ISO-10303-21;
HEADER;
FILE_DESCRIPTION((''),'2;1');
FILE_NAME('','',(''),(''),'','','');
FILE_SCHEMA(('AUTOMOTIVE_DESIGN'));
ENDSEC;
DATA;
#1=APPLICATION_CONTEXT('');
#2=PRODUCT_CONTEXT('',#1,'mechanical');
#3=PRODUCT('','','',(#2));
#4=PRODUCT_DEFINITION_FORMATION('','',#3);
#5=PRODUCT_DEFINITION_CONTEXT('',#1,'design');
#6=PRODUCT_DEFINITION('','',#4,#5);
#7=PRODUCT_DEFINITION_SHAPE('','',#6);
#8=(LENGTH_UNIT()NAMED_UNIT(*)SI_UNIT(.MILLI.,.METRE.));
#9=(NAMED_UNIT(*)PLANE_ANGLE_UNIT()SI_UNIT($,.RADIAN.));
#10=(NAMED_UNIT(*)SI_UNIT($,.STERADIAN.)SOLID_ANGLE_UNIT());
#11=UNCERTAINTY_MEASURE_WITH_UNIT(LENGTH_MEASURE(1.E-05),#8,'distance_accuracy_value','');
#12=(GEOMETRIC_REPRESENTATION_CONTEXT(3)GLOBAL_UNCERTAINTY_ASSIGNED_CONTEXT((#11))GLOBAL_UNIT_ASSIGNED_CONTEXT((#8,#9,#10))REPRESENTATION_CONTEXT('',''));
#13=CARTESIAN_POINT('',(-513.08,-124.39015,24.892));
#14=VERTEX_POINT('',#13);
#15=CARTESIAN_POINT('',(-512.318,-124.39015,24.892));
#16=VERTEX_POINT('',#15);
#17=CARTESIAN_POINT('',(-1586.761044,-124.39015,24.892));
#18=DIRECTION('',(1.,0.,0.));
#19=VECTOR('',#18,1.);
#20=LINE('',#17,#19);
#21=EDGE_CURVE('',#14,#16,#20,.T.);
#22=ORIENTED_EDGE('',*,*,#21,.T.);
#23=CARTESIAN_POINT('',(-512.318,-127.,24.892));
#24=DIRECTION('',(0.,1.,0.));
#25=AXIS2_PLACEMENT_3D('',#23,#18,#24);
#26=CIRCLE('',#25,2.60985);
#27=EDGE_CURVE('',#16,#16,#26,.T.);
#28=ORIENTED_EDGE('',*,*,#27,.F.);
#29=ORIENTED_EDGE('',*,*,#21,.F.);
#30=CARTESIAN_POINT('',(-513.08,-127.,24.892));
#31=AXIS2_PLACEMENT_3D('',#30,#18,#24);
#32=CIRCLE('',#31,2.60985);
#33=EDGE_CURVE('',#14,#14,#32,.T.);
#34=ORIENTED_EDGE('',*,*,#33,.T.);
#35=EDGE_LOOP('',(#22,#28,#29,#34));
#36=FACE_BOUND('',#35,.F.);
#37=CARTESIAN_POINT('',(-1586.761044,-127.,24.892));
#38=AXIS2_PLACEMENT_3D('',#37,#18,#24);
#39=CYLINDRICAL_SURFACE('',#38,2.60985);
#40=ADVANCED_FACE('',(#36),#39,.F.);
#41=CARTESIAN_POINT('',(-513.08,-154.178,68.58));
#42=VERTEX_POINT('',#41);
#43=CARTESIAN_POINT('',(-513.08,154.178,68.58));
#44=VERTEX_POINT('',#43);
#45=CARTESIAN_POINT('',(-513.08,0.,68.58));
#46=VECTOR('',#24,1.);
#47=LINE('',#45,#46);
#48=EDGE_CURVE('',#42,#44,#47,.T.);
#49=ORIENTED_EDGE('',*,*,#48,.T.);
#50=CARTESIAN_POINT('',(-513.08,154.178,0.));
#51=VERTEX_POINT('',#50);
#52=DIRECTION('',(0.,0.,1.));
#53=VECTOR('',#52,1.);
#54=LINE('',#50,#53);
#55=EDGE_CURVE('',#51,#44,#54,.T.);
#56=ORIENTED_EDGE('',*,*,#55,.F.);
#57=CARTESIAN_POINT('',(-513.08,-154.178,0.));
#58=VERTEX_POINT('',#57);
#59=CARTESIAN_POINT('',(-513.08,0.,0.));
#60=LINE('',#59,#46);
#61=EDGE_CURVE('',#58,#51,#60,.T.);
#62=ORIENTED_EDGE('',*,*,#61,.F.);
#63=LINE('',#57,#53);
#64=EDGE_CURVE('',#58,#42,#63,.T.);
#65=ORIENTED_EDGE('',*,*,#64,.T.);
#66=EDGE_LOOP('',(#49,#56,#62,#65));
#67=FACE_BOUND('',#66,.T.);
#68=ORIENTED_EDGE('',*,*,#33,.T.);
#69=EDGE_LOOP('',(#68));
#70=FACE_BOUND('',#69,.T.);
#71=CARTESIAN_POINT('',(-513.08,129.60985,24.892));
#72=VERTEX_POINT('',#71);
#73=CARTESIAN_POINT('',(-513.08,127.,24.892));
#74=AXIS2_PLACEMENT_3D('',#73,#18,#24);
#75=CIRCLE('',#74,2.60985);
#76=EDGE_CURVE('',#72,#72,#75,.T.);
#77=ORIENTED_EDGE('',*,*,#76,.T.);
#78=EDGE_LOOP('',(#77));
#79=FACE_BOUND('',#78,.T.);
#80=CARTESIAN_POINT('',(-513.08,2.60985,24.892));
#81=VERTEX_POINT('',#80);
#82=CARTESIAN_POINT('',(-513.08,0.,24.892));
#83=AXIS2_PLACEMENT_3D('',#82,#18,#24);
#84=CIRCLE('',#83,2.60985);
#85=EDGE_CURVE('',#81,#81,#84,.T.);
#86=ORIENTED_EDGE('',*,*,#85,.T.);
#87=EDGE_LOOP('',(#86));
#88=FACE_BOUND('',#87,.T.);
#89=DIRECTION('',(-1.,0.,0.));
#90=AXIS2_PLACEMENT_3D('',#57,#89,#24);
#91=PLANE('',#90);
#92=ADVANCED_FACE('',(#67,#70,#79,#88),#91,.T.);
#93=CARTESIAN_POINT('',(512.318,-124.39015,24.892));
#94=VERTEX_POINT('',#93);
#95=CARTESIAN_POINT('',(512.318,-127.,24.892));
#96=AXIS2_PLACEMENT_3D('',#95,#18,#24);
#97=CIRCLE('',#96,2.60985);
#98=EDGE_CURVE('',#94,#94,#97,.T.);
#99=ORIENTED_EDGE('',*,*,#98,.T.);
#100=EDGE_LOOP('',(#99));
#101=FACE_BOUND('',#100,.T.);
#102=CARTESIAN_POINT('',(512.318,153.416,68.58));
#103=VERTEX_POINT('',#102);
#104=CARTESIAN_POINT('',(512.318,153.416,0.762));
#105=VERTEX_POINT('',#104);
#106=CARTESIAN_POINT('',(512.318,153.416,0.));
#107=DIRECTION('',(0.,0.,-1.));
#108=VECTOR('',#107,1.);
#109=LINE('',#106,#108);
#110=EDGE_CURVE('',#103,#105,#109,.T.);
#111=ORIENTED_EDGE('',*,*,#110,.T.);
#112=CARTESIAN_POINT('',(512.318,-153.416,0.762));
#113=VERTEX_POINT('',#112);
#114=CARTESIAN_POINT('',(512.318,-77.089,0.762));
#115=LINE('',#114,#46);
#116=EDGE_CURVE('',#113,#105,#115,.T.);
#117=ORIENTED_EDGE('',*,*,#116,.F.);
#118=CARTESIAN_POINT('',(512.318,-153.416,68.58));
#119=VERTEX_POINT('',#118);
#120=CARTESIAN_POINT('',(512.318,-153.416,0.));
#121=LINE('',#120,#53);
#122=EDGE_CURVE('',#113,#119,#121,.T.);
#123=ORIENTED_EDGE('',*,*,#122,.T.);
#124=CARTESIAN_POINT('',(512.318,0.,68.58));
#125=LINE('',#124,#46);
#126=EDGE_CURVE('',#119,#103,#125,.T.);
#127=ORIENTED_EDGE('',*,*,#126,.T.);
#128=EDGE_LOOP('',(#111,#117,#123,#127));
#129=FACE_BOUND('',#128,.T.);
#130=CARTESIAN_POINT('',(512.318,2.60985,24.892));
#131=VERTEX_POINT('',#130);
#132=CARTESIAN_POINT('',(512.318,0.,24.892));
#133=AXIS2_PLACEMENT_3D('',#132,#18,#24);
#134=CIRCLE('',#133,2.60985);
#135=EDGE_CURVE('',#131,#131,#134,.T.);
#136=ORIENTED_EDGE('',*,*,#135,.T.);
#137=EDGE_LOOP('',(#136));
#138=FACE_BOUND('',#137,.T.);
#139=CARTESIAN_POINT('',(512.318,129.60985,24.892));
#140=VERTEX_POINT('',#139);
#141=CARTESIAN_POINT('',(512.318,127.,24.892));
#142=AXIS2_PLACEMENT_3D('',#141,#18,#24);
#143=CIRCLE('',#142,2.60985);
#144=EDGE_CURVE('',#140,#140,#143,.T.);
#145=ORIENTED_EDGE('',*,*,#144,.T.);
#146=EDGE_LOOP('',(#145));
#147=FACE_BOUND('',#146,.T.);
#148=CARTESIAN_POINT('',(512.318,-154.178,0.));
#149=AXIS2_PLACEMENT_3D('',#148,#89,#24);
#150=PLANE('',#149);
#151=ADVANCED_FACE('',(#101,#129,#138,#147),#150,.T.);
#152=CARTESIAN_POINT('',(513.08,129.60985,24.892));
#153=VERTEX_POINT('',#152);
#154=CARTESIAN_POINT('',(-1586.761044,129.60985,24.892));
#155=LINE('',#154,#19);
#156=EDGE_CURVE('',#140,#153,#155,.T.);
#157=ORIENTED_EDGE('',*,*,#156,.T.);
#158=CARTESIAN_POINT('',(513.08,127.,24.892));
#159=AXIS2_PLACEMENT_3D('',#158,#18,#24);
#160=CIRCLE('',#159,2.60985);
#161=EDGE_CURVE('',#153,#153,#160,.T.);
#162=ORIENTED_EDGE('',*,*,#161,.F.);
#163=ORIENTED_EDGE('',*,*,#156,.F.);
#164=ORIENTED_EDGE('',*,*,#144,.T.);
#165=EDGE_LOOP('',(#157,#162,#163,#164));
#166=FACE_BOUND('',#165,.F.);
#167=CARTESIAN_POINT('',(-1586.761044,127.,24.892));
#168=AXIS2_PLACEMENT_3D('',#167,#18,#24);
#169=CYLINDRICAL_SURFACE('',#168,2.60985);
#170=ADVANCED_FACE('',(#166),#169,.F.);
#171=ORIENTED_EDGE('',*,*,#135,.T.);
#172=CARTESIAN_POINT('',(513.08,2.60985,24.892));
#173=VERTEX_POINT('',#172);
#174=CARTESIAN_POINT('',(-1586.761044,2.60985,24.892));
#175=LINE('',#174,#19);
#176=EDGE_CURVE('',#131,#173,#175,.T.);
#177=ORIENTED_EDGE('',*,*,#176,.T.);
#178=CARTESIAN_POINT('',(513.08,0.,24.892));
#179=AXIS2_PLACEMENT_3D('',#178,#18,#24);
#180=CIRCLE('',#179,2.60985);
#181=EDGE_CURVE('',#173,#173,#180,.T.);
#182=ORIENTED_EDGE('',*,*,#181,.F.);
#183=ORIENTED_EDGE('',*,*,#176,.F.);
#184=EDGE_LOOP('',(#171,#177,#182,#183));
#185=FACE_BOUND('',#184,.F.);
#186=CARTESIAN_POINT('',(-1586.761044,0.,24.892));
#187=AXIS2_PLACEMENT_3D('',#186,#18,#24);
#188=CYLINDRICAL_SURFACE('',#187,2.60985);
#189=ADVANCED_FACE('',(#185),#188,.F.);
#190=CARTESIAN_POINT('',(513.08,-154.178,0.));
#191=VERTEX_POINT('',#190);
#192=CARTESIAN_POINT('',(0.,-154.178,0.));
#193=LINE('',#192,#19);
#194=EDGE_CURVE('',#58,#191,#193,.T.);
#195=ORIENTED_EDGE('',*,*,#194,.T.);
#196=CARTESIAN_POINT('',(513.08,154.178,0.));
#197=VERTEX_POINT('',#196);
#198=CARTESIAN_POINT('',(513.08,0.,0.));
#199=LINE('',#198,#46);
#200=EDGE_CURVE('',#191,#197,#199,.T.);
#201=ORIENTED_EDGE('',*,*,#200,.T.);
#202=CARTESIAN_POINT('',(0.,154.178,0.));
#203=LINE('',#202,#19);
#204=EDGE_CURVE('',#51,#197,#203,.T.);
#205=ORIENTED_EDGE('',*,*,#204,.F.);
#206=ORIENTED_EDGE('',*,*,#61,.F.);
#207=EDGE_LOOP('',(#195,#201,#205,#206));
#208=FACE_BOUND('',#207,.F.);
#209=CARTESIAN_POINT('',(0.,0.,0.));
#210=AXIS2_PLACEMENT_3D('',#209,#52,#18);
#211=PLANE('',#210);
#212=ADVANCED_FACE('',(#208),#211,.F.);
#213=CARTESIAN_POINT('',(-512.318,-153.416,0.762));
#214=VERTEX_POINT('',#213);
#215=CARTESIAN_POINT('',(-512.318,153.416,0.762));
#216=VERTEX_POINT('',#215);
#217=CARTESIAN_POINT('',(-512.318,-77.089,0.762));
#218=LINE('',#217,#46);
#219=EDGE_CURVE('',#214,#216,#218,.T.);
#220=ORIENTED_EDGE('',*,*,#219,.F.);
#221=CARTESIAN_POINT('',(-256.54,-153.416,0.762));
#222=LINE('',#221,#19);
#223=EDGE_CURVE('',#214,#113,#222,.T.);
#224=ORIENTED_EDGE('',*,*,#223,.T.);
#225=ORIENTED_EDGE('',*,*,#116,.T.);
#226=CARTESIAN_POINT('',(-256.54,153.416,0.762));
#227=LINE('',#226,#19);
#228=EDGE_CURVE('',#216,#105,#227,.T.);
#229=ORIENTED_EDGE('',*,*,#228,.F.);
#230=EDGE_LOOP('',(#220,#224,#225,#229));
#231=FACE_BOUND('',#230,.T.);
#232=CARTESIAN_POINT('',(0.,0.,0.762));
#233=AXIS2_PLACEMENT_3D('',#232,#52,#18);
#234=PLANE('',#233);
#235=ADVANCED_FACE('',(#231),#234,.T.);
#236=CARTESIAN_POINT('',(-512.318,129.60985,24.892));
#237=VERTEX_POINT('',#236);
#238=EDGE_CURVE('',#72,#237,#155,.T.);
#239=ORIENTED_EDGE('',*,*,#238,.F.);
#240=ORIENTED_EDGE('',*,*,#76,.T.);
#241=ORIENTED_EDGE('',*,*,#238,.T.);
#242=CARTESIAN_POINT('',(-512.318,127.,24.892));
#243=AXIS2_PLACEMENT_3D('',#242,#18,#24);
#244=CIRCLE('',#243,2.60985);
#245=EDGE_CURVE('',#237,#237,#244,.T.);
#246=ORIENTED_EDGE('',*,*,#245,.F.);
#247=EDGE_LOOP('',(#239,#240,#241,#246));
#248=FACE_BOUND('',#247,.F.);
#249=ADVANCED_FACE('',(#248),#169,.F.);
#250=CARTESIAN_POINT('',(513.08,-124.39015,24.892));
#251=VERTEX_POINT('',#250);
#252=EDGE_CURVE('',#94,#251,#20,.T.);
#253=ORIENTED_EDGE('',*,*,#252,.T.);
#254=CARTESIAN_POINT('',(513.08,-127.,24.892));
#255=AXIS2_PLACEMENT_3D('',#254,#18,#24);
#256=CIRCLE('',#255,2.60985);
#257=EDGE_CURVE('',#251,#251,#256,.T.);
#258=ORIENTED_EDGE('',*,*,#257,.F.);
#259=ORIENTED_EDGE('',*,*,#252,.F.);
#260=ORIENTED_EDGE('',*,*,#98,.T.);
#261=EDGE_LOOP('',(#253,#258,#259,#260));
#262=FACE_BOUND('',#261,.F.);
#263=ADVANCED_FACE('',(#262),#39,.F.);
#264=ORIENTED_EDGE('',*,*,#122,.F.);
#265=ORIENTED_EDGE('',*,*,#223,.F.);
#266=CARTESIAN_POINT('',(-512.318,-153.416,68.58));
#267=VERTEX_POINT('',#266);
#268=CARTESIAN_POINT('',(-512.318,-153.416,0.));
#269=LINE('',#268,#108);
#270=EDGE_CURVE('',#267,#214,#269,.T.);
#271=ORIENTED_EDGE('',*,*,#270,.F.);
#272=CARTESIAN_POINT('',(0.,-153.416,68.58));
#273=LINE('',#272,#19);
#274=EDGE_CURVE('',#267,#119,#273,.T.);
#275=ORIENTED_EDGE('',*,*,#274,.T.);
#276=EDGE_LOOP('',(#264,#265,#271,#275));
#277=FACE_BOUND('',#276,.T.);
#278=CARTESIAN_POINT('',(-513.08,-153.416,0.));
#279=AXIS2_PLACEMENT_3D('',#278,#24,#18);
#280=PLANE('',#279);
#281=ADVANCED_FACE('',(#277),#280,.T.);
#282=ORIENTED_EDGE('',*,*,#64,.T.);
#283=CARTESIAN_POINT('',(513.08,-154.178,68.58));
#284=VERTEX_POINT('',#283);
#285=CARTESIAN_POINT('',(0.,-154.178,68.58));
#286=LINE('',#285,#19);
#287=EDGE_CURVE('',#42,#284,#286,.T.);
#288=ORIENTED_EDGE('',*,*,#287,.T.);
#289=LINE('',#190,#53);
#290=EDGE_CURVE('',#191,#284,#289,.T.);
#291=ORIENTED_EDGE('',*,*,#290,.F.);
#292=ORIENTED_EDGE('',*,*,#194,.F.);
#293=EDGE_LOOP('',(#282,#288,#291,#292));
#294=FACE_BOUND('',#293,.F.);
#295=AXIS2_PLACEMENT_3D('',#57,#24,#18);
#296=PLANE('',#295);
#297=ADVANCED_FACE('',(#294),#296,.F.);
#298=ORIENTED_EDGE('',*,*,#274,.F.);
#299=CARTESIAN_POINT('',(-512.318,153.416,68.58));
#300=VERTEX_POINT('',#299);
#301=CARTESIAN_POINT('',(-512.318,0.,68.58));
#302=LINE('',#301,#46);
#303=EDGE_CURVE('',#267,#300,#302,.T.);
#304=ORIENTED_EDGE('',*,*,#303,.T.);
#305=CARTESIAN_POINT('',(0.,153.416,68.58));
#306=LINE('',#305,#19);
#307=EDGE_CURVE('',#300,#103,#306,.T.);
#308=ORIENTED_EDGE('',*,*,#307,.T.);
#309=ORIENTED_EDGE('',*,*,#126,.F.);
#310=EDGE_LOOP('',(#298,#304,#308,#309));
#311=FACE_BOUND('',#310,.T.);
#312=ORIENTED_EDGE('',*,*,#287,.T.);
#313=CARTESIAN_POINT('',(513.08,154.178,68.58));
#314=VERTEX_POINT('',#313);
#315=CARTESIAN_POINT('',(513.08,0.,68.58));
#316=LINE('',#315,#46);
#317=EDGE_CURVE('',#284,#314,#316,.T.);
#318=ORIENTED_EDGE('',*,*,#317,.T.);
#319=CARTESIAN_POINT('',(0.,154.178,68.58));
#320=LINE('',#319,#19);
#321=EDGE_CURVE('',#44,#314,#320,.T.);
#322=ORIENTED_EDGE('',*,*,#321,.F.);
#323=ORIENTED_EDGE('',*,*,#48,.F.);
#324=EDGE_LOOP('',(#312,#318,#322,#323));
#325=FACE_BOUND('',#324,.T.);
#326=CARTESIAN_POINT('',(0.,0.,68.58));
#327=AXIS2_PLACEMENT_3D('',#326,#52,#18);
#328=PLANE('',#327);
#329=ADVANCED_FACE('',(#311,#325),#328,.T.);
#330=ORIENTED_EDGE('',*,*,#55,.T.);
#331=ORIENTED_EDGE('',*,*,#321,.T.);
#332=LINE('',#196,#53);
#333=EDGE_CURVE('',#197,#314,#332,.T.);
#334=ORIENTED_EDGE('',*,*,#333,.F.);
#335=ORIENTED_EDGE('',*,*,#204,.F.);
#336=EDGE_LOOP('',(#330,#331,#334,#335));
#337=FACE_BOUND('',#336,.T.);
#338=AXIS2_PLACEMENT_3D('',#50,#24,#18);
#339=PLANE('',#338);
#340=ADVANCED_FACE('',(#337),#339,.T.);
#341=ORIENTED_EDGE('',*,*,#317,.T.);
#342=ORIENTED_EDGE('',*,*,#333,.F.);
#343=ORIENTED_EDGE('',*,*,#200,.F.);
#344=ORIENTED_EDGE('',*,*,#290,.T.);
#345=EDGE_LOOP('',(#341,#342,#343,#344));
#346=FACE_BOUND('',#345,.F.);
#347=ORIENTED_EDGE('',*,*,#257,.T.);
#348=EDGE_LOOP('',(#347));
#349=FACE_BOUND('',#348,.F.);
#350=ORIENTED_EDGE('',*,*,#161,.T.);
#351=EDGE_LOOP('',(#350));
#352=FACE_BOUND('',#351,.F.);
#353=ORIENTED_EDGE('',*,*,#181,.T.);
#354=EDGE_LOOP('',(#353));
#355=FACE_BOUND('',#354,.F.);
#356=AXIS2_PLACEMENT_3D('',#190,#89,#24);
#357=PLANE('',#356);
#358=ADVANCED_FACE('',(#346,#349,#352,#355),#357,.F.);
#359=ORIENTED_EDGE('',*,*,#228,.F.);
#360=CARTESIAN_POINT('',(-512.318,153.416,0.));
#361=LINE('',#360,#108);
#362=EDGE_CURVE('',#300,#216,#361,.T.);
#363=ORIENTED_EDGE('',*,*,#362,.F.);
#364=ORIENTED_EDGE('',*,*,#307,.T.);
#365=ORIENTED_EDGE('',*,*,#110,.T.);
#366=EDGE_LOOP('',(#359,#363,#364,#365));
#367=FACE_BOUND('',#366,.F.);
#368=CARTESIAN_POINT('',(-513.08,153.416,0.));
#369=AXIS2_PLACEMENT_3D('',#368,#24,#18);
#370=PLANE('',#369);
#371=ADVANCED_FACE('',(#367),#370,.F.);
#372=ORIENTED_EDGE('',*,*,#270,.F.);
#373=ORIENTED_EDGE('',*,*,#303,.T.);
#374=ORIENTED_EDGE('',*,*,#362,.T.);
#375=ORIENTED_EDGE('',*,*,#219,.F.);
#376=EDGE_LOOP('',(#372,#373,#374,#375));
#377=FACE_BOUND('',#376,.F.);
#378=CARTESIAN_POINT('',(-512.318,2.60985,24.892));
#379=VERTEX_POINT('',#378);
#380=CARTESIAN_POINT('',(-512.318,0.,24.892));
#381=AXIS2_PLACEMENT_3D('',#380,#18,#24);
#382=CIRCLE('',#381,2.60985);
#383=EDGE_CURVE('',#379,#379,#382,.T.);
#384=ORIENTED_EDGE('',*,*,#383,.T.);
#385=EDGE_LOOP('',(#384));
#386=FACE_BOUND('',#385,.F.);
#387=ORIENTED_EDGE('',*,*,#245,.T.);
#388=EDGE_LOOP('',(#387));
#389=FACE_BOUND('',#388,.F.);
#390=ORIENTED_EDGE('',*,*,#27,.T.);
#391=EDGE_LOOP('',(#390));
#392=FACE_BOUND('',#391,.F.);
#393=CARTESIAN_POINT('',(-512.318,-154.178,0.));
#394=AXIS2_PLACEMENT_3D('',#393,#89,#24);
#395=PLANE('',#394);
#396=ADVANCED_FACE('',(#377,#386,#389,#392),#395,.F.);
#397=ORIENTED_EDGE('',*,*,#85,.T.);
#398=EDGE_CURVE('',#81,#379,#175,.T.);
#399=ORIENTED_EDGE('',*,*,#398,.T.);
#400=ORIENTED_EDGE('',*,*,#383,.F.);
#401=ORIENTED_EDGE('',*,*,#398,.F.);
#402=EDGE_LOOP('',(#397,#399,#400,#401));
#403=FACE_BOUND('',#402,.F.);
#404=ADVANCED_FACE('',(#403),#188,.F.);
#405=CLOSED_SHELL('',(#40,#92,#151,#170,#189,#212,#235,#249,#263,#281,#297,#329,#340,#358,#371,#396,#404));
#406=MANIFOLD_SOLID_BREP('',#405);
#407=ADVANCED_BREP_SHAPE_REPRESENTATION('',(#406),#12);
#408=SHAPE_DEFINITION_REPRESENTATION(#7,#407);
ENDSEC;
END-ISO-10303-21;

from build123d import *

# Parameters (mm, degrees)
F0_W     = 1026.16
F0_H     = 308.356
F1_DEPTH = 68.58
F2_T     = -0.762
F4_D     = 5.2197


with BuildPart() as f1:
    # F0 (on Top) → F1 (new body)
    with BuildSketch(Plane.XY):
        Rectangle(F0_W, F0_H)
    extrude(amount=F1_DEPTH)

    # F2
    f2_openings = [f1.faces().sort_by_distance(p)[0] for p in [
        (0, 0, 68.58),
    ]]
    offset(amount=F2_T, openings=f2_openings)

    # F4 (through all)
    with Locations(Plane(origin=(-513.08, 0, 0), x_dir=(0, -1, 0), z_dir=(-1, 0, 0))):
        with Locations((-127, 24.892), (0, 24.892), (127, 24.892)):
            Hole(F4_D / 2)


solid = f1.part
